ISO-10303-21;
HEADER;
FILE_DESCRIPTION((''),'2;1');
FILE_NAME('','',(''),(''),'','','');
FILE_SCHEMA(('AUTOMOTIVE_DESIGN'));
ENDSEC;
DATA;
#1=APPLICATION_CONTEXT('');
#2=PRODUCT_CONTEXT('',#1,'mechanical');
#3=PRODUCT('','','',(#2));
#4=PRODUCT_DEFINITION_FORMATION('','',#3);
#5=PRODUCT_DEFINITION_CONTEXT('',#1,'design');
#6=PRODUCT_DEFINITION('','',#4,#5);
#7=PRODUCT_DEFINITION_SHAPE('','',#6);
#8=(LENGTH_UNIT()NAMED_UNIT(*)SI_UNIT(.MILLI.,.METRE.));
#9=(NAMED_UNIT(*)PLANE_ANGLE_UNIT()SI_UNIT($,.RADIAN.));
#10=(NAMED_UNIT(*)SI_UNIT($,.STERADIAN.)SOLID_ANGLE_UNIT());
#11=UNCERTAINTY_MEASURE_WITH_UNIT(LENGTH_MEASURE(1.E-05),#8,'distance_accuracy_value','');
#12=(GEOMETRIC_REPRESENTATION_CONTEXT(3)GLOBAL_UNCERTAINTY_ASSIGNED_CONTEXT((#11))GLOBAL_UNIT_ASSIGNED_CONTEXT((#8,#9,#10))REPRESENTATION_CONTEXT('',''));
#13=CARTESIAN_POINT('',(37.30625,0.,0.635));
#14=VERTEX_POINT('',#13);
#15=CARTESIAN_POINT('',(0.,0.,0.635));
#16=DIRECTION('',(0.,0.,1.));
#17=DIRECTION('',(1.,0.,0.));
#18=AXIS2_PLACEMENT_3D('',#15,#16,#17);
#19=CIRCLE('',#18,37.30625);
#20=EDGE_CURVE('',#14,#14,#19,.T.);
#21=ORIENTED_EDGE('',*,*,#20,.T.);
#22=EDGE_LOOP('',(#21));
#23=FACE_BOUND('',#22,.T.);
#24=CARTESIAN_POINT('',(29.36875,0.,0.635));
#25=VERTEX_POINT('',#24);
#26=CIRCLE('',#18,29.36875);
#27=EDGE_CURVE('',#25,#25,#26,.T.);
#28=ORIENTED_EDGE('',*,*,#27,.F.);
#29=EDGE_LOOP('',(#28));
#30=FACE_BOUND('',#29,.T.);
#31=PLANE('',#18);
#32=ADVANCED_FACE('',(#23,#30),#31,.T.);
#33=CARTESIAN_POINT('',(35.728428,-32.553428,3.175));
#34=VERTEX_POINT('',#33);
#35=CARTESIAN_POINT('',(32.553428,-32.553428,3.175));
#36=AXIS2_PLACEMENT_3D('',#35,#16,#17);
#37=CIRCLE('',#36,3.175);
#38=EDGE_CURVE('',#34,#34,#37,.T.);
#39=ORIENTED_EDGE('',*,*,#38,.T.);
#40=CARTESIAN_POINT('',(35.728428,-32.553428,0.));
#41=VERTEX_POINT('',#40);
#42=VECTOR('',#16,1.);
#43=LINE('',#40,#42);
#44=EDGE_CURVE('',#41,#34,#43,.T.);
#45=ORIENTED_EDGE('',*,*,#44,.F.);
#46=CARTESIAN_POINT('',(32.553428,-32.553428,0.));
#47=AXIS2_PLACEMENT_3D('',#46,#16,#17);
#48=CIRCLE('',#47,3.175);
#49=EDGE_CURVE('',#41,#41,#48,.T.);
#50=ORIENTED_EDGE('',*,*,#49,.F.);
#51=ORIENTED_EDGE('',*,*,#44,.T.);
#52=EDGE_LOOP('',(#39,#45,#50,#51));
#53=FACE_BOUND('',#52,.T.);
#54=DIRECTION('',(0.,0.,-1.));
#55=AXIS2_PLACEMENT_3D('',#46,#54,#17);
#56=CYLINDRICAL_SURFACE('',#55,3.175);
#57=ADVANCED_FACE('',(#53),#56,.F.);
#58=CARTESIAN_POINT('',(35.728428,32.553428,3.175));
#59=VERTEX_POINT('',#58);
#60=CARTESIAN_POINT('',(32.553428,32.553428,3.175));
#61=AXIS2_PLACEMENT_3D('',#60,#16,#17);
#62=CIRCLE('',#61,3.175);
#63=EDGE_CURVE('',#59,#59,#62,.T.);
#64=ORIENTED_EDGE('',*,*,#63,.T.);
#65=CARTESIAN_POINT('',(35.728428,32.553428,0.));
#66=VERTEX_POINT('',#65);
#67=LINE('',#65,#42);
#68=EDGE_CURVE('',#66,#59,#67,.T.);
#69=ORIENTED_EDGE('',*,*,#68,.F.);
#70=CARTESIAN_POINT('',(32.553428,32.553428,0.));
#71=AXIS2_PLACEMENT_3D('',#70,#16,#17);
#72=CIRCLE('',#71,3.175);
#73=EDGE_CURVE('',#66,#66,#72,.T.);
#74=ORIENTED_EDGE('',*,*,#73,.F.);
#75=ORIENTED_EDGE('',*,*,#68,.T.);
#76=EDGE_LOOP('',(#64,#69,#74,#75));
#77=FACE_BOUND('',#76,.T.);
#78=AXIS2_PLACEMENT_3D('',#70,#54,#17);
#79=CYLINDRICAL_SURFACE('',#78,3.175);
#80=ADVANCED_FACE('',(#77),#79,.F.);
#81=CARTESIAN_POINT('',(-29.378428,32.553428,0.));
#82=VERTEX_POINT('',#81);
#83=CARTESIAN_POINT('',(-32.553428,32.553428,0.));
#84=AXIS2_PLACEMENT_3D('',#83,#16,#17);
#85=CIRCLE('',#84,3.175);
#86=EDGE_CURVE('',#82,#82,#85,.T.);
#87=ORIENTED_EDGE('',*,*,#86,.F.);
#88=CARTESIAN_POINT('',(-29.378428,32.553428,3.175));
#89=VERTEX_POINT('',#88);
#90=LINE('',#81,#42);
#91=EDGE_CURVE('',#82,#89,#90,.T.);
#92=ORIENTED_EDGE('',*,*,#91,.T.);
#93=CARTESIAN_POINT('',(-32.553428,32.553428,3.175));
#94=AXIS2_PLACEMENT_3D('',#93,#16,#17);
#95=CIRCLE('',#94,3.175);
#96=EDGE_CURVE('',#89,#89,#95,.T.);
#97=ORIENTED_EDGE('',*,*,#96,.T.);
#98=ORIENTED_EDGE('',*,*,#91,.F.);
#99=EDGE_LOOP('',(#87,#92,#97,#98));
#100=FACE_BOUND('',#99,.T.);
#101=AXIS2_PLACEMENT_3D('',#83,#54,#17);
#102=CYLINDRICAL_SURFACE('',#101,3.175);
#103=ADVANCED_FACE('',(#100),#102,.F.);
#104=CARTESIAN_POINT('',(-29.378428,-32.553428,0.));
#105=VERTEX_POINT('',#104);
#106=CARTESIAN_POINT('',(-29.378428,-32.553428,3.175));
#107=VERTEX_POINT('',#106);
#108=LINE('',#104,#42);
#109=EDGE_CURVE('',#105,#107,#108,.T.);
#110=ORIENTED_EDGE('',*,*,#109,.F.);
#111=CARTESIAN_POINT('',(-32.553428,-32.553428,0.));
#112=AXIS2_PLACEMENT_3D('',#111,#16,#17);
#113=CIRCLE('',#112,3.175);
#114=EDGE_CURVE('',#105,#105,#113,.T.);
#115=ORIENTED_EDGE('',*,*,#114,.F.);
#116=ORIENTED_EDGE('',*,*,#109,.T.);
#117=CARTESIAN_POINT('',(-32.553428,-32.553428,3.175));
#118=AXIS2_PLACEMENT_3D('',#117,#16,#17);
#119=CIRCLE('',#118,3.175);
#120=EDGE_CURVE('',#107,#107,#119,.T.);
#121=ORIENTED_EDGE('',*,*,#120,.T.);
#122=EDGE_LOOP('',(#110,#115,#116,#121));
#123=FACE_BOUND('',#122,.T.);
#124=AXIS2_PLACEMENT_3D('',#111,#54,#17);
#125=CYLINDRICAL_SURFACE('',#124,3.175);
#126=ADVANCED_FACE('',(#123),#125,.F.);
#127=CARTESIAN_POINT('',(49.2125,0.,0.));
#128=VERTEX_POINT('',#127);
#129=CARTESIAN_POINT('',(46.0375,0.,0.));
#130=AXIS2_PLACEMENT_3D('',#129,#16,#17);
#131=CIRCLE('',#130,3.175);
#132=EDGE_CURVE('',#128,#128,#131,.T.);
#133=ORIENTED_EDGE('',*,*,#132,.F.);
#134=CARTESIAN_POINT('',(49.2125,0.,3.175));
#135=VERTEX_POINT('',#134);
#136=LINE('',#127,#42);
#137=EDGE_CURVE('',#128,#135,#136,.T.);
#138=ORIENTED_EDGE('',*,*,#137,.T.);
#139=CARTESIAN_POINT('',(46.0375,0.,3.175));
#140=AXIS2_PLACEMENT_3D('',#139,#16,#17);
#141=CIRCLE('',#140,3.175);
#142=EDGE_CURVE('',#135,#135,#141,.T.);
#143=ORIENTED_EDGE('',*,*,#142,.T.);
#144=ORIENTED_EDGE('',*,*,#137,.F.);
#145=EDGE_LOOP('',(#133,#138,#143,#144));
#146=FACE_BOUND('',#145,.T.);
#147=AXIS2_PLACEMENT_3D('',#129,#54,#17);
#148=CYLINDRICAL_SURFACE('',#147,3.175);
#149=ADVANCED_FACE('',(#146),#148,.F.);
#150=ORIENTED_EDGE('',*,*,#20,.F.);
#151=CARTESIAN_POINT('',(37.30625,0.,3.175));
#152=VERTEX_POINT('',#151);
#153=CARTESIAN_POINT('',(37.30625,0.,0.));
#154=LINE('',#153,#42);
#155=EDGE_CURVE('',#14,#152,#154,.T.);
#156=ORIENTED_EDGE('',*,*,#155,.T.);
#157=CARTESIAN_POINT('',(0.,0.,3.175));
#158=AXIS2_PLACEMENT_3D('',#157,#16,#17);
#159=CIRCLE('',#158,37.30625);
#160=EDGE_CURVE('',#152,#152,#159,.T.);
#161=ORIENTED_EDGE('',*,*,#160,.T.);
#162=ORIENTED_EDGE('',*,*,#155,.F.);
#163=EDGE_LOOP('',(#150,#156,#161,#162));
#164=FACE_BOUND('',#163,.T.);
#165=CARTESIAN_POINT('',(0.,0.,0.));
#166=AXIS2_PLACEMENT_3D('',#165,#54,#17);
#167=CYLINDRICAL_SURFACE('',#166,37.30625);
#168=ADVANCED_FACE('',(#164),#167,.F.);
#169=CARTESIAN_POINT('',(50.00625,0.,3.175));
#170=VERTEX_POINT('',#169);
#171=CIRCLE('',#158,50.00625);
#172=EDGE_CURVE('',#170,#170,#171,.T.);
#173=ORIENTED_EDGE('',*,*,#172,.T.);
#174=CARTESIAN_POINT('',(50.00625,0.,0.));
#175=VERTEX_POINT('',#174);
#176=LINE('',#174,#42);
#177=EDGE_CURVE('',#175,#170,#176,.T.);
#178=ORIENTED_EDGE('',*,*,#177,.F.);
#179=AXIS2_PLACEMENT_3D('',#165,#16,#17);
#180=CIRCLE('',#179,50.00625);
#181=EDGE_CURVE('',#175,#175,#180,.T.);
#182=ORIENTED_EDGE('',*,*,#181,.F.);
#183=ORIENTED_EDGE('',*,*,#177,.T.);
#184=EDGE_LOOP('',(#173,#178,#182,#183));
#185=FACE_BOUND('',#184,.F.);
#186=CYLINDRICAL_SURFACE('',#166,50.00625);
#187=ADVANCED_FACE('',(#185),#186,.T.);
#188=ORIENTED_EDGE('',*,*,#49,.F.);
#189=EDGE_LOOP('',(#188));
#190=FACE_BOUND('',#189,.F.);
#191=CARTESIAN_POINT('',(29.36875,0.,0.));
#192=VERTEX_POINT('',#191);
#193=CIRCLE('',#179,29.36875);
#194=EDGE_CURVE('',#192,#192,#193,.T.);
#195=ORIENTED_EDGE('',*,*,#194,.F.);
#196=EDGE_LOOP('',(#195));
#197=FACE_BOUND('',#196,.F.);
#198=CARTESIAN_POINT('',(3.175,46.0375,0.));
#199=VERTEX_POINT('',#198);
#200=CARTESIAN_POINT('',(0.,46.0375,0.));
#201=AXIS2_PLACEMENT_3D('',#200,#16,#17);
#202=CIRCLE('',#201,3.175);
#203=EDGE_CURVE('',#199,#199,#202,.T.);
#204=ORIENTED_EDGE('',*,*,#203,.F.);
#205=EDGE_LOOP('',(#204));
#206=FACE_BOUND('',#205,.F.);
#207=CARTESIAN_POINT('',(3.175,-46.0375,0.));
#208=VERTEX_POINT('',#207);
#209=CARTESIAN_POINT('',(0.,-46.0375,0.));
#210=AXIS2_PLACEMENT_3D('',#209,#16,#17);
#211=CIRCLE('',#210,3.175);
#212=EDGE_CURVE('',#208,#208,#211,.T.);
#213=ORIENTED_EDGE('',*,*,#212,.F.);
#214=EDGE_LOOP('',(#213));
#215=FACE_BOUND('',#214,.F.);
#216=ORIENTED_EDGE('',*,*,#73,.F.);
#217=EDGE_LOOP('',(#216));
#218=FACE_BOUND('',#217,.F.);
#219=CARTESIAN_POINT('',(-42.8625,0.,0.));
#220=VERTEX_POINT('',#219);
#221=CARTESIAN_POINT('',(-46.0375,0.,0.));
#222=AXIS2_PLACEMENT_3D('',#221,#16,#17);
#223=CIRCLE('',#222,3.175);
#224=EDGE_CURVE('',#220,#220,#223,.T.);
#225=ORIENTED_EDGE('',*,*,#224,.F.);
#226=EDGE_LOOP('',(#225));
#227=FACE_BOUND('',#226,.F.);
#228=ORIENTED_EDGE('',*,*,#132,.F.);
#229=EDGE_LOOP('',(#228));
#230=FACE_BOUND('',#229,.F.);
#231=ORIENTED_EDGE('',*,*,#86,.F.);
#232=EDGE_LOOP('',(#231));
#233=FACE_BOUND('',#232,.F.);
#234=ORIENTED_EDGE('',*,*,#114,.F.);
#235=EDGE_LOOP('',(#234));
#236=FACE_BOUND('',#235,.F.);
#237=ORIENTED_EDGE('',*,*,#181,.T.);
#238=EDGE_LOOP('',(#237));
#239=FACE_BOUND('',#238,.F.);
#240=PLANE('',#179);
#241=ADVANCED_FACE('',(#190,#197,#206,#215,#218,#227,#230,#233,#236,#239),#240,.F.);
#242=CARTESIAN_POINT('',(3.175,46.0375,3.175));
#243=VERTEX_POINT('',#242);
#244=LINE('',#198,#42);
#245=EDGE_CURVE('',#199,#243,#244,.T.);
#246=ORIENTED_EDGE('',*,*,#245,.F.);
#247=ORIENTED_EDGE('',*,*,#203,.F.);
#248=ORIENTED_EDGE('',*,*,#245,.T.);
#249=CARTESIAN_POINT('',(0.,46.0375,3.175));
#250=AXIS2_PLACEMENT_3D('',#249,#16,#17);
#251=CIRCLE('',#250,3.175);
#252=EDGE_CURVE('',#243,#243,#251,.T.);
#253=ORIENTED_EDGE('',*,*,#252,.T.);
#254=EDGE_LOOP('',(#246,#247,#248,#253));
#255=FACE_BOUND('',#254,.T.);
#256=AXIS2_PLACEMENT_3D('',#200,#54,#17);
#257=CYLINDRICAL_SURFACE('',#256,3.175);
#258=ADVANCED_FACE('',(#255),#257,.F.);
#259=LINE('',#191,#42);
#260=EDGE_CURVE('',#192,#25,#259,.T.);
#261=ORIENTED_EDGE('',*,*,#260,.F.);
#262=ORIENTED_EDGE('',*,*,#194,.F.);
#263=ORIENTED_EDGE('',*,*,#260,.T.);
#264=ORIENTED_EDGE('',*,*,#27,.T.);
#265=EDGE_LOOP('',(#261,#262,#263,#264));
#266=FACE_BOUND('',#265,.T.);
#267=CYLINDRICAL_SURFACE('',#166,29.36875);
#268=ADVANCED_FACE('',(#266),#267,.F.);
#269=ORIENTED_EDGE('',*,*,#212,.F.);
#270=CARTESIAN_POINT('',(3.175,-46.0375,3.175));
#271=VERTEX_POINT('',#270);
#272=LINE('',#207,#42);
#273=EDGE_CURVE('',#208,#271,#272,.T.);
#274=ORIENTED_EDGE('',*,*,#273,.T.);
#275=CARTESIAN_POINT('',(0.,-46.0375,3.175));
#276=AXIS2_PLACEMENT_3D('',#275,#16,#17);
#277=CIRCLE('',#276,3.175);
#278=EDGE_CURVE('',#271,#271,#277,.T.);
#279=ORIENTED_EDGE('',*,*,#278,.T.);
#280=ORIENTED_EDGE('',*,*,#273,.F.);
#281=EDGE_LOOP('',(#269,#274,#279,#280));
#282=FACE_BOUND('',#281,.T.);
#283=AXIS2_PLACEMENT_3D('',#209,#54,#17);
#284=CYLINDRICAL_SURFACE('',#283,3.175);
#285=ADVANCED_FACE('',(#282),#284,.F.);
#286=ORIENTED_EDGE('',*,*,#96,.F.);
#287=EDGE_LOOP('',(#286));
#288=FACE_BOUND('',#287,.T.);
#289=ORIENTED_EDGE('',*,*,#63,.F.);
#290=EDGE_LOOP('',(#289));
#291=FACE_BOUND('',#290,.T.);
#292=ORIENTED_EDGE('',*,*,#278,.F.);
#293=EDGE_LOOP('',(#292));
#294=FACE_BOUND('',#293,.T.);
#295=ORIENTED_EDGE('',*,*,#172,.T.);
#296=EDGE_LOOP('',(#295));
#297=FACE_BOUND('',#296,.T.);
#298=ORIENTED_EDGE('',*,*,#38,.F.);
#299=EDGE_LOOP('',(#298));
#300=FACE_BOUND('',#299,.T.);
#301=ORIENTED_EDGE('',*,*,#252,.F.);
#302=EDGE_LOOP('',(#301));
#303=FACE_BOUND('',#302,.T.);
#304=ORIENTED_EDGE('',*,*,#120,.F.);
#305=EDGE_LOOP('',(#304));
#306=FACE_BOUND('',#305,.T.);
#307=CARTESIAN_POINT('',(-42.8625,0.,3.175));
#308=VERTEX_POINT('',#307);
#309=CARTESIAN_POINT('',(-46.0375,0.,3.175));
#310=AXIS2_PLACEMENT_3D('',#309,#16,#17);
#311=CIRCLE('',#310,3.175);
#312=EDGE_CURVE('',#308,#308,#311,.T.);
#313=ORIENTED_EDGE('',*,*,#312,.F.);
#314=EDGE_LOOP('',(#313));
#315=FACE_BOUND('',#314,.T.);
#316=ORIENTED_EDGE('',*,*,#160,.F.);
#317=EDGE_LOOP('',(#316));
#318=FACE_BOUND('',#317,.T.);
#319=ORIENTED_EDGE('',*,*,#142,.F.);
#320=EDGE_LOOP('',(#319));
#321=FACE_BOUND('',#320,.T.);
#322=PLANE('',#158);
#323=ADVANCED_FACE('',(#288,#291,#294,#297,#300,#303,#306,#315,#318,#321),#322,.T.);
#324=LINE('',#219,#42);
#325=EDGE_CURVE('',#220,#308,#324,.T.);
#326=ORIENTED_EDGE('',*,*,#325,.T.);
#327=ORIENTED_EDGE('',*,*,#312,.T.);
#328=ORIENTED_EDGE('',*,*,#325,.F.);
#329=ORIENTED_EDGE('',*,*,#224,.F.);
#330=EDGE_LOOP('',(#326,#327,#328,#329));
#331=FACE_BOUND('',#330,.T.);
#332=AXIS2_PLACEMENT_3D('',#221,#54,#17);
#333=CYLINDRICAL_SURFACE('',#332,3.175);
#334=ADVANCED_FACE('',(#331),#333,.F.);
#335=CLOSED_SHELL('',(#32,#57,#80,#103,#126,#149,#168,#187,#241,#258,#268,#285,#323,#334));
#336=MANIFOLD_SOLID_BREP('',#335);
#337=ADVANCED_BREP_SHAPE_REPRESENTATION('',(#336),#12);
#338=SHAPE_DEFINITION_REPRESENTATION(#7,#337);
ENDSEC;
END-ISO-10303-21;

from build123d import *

# Parameters (mm, degrees)
F0_R     = 37.30625
F0_R_2   = 29.36875
F1_DEPTH = 0.635
F0_R_3   = 50.00625
F0_R_4   = 3.175
F2_DEPTH = 3.175


with BuildPart() as f1:
    # F0 (on Top) → F1 (new body)
    with BuildSketch(Plane.XY):
        Circle(F0_R)
        Circle(F0_R_2, mode=Mode.SUBTRACT)
    extrude(amount=F1_DEPTH)

    # F0 (on Top) → F2 (join)
    with BuildSketch(Plane.XY):
        Circle(F0_R_3)
        with Locations((-32.553428, -32.553428)):
            Circle(F0_R_4, mode=Mode.SUBTRACT)
        with Locations((0, -46.0375)):
            Circle(F0_R_4, mode=Mode.SUBTRACT)
        with Locations((-46.0375, 0)):
            Circle(F0_R_4, mode=Mode.SUBTRACT)
        Circle(F0_R, mode=Mode.SUBTRACT)
        with Locations((32.553428, -32.553428)):
            Circle(F0_R_4, mode=Mode.SUBTRACT)
        with Locations((46.0375, 0)):
            Circle(F0_R_4, mode=Mode.SUBTRACT)
        with Locations((-32.553428, 32.553428)):
            Circle(F0_R_4, mode=Mode.SUBTRACT)
        with Locations((0, 46.0375)):
            Circle(F0_R_4, mode=Mode.SUBTRACT)
        with Locations((32.553428, 32.553428)):
            Circle(F0_R_4, mode=Mode.SUBTRACT)
    extrude(amount=F2_DEPTH)


solid = f1.part
